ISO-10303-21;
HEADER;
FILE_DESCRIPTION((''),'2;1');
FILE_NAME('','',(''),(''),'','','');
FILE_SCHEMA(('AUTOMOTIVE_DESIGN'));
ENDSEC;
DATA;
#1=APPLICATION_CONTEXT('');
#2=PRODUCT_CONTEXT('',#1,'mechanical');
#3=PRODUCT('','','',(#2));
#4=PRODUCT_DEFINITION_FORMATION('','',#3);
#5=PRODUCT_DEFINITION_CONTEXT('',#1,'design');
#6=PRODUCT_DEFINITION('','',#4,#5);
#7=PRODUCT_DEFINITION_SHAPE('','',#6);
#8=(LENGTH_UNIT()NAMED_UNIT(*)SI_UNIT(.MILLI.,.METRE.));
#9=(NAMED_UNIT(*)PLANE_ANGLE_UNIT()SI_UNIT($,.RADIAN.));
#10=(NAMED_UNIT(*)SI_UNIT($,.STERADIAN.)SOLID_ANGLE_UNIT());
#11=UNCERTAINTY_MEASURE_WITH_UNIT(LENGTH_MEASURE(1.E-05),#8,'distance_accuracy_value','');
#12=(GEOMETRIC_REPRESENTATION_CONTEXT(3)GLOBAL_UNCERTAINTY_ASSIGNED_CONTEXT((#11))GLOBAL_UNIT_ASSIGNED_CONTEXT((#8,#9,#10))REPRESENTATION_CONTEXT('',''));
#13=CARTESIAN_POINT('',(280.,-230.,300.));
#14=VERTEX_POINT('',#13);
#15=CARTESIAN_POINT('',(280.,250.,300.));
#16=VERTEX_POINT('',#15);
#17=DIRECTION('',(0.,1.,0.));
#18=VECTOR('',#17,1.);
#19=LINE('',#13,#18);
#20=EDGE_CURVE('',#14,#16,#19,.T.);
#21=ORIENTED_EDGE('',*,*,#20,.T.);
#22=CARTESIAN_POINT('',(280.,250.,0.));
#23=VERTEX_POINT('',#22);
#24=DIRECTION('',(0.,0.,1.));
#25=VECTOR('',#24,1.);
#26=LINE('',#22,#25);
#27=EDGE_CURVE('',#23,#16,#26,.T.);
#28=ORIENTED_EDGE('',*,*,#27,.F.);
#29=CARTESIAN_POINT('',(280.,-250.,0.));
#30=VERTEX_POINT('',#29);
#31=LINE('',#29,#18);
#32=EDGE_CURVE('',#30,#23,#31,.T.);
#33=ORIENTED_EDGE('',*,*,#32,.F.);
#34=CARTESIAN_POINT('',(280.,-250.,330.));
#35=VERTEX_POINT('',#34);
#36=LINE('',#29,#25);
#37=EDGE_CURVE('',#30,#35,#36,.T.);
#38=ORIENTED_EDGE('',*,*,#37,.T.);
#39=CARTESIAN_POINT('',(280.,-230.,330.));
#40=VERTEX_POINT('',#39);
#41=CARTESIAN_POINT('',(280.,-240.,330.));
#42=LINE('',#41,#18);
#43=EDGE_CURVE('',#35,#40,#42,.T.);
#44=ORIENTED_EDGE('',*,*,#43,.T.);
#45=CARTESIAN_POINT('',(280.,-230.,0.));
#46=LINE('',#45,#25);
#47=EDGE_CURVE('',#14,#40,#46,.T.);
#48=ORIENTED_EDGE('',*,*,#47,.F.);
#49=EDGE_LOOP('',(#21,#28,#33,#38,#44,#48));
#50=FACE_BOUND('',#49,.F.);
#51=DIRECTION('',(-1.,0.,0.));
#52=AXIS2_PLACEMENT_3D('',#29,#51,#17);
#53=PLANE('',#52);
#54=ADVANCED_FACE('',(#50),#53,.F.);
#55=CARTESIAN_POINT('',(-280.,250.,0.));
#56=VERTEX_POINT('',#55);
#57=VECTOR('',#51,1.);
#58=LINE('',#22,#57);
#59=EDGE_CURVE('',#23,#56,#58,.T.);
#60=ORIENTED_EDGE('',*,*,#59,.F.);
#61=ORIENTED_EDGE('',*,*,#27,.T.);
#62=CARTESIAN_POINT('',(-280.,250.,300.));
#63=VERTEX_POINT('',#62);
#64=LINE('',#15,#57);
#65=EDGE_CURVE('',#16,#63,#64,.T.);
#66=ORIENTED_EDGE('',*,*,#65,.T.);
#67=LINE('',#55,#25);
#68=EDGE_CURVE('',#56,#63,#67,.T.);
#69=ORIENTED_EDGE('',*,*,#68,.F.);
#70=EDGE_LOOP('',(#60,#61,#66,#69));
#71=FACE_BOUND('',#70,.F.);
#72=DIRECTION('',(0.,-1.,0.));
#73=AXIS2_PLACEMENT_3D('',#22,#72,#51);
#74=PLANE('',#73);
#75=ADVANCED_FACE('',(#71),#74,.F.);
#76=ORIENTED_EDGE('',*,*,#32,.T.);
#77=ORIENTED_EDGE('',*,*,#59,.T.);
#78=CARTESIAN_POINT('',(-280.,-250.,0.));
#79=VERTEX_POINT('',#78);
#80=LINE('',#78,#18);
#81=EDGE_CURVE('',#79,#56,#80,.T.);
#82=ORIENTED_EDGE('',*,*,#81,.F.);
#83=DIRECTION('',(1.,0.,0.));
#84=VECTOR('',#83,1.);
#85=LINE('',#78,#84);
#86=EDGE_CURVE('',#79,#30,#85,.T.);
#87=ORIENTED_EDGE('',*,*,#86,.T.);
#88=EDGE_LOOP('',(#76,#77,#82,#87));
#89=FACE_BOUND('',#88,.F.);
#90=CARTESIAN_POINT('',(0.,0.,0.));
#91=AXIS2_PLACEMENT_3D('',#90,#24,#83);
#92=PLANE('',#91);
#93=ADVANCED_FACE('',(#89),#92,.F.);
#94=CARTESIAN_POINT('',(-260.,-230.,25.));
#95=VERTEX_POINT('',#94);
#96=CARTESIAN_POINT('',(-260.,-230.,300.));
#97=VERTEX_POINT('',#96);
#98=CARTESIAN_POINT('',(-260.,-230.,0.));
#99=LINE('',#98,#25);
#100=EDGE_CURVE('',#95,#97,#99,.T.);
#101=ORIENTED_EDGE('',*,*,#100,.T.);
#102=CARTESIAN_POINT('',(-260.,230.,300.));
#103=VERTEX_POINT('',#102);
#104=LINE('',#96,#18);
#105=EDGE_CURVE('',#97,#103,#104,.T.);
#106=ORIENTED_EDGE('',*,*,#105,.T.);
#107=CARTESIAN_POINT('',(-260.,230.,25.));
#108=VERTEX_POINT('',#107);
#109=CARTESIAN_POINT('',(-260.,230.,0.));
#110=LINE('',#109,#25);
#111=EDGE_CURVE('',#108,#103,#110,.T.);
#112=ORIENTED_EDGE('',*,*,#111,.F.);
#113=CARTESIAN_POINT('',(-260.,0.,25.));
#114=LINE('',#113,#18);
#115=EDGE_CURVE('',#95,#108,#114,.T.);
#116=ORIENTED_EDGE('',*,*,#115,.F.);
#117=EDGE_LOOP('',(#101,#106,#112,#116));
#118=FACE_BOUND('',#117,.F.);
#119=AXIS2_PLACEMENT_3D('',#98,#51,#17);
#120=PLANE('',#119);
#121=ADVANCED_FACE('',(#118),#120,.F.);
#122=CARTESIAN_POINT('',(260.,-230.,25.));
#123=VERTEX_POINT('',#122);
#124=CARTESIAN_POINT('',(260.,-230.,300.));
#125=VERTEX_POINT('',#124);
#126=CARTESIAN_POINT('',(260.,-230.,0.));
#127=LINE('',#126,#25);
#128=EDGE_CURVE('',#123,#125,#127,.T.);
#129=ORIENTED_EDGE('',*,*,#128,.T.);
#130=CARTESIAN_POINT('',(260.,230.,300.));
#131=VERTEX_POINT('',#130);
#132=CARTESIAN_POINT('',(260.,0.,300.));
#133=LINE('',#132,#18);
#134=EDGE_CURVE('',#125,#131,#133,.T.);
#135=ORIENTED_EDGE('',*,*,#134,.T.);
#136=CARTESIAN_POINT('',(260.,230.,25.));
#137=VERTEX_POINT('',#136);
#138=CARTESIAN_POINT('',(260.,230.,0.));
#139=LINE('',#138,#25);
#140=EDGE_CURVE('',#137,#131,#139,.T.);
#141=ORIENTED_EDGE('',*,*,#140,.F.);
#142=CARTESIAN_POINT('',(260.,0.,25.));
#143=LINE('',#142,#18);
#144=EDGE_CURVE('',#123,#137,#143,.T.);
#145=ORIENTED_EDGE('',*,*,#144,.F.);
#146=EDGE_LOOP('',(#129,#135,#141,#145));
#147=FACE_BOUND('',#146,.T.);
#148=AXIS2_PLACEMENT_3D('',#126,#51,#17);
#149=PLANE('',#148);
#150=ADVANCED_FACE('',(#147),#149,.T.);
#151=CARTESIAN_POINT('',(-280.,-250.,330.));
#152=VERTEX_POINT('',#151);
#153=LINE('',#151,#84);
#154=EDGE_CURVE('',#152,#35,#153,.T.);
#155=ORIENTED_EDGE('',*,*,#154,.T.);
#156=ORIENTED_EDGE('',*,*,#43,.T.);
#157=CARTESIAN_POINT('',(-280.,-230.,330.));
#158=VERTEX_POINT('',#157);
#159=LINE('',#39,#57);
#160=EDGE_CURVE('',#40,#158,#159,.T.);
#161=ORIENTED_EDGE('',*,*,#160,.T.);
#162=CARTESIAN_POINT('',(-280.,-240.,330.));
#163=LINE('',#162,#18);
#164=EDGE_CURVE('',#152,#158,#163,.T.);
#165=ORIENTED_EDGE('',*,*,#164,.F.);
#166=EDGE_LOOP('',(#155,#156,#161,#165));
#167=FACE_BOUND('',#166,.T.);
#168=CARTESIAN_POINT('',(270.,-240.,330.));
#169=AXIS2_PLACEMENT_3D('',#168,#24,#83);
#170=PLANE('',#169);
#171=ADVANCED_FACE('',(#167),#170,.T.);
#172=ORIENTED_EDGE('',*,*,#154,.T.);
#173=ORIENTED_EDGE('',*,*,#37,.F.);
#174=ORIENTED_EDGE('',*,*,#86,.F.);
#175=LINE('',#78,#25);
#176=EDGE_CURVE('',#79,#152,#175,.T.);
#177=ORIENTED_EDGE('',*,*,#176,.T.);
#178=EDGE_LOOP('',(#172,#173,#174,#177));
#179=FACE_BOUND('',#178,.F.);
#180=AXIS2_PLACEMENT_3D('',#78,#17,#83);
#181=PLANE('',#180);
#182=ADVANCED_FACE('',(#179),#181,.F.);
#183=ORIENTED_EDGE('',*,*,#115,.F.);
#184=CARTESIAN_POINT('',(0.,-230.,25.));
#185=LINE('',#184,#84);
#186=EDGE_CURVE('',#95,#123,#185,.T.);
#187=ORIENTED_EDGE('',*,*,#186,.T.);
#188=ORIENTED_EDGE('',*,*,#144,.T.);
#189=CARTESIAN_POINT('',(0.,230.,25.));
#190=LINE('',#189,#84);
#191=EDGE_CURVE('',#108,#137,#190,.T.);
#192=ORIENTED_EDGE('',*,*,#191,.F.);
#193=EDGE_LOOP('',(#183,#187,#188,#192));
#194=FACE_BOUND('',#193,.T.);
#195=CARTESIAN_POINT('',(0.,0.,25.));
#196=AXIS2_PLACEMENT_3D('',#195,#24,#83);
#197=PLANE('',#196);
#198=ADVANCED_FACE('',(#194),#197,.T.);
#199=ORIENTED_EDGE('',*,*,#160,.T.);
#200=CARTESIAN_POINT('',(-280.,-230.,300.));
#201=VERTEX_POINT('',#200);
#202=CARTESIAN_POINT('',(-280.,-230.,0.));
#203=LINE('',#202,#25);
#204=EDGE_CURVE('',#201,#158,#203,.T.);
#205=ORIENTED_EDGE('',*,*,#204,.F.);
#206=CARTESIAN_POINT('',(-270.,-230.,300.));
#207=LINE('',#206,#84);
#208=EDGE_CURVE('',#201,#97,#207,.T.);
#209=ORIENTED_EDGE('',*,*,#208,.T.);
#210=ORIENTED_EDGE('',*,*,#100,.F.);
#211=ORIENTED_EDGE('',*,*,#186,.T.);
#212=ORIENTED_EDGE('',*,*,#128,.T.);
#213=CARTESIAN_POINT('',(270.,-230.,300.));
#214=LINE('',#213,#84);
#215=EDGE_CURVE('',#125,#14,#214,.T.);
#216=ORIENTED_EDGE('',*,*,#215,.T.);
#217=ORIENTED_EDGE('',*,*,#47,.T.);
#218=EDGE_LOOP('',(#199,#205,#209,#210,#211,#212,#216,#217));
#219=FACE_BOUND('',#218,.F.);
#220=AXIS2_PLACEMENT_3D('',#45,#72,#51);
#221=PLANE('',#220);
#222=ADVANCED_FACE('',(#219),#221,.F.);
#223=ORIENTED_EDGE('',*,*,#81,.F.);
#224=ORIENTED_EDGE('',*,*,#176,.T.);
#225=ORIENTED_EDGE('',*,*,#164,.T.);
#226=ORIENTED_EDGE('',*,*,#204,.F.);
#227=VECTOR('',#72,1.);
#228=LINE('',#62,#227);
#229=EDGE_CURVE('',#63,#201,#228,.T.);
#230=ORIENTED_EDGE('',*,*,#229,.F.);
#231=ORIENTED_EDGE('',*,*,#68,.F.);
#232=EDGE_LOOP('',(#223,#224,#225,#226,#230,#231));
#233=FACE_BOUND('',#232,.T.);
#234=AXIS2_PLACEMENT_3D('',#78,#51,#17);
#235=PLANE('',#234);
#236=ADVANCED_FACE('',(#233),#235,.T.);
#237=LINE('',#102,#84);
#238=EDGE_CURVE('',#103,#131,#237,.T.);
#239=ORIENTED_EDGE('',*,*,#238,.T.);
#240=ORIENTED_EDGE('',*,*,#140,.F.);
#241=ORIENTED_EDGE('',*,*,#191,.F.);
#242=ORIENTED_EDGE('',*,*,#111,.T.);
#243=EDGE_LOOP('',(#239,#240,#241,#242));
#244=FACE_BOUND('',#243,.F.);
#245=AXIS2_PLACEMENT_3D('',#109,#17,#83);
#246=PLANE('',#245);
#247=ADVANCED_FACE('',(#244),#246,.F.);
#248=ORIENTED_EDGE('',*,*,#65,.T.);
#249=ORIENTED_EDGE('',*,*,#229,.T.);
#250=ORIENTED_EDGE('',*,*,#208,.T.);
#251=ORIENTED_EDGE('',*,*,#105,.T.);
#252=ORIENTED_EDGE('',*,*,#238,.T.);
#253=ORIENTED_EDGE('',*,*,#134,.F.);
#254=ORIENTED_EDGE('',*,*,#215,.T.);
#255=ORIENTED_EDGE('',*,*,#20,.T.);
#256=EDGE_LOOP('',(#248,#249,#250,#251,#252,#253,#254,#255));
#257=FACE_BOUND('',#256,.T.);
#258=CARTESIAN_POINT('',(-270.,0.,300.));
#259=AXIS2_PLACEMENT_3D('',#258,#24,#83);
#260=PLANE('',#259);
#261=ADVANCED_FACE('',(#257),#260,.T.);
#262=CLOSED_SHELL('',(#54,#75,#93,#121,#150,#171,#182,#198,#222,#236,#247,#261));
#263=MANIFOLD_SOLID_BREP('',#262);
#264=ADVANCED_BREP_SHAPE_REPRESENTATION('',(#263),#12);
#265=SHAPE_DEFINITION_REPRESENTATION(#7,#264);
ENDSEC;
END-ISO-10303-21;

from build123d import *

# Parameters (mm, degrees)
F0_W     = 20
F0_H     = 460
F0_H_2   = 20
F0_W_2   = 520
F1_DEPTH = 300
F2_DEPTH = 330
F3_DEPTH = 25


with BuildPart() as f1:
    # F0 (on Top) → F1 (new body)
    with BuildSketch(Plane.XY):
        with Locations((-270, 0)):
            Rectangle(F0_W, F0_H)
        with Locations((-270, 240)):
            Rectangle(F0_W, F0_H_2)
        with Locations((0, 240)):
            Rectangle(F0_W_2, F0_H_2)
        with Locations((270, 240)):
            Rectangle(F0_W, F0_H_2)
        with Locations((270, 0)):
            Rectangle(F0_W, F0_H)
    extrude(amount=F1_DEPTH)

    # F0 (on Top) → F2 (join)
    with BuildSketch(Plane.XY):
        with Locations((270, -240)):
            Rectangle(F0_W, F0_H_2)
        with Locations((0, -240)):
            Rectangle(F0_W_2, F0_H_2)
        with Locations((-270, -240)):
            Rectangle(F0_W, F0_H_2)
    extrude(amount=F2_DEPTH)

    # F0 (on Top) → F3 (join)
    with BuildSketch(Plane.XY):
        Rectangle(F0_W_2, F0_H)
    extrude(amount=F3_DEPTH)


solid = f1.part
